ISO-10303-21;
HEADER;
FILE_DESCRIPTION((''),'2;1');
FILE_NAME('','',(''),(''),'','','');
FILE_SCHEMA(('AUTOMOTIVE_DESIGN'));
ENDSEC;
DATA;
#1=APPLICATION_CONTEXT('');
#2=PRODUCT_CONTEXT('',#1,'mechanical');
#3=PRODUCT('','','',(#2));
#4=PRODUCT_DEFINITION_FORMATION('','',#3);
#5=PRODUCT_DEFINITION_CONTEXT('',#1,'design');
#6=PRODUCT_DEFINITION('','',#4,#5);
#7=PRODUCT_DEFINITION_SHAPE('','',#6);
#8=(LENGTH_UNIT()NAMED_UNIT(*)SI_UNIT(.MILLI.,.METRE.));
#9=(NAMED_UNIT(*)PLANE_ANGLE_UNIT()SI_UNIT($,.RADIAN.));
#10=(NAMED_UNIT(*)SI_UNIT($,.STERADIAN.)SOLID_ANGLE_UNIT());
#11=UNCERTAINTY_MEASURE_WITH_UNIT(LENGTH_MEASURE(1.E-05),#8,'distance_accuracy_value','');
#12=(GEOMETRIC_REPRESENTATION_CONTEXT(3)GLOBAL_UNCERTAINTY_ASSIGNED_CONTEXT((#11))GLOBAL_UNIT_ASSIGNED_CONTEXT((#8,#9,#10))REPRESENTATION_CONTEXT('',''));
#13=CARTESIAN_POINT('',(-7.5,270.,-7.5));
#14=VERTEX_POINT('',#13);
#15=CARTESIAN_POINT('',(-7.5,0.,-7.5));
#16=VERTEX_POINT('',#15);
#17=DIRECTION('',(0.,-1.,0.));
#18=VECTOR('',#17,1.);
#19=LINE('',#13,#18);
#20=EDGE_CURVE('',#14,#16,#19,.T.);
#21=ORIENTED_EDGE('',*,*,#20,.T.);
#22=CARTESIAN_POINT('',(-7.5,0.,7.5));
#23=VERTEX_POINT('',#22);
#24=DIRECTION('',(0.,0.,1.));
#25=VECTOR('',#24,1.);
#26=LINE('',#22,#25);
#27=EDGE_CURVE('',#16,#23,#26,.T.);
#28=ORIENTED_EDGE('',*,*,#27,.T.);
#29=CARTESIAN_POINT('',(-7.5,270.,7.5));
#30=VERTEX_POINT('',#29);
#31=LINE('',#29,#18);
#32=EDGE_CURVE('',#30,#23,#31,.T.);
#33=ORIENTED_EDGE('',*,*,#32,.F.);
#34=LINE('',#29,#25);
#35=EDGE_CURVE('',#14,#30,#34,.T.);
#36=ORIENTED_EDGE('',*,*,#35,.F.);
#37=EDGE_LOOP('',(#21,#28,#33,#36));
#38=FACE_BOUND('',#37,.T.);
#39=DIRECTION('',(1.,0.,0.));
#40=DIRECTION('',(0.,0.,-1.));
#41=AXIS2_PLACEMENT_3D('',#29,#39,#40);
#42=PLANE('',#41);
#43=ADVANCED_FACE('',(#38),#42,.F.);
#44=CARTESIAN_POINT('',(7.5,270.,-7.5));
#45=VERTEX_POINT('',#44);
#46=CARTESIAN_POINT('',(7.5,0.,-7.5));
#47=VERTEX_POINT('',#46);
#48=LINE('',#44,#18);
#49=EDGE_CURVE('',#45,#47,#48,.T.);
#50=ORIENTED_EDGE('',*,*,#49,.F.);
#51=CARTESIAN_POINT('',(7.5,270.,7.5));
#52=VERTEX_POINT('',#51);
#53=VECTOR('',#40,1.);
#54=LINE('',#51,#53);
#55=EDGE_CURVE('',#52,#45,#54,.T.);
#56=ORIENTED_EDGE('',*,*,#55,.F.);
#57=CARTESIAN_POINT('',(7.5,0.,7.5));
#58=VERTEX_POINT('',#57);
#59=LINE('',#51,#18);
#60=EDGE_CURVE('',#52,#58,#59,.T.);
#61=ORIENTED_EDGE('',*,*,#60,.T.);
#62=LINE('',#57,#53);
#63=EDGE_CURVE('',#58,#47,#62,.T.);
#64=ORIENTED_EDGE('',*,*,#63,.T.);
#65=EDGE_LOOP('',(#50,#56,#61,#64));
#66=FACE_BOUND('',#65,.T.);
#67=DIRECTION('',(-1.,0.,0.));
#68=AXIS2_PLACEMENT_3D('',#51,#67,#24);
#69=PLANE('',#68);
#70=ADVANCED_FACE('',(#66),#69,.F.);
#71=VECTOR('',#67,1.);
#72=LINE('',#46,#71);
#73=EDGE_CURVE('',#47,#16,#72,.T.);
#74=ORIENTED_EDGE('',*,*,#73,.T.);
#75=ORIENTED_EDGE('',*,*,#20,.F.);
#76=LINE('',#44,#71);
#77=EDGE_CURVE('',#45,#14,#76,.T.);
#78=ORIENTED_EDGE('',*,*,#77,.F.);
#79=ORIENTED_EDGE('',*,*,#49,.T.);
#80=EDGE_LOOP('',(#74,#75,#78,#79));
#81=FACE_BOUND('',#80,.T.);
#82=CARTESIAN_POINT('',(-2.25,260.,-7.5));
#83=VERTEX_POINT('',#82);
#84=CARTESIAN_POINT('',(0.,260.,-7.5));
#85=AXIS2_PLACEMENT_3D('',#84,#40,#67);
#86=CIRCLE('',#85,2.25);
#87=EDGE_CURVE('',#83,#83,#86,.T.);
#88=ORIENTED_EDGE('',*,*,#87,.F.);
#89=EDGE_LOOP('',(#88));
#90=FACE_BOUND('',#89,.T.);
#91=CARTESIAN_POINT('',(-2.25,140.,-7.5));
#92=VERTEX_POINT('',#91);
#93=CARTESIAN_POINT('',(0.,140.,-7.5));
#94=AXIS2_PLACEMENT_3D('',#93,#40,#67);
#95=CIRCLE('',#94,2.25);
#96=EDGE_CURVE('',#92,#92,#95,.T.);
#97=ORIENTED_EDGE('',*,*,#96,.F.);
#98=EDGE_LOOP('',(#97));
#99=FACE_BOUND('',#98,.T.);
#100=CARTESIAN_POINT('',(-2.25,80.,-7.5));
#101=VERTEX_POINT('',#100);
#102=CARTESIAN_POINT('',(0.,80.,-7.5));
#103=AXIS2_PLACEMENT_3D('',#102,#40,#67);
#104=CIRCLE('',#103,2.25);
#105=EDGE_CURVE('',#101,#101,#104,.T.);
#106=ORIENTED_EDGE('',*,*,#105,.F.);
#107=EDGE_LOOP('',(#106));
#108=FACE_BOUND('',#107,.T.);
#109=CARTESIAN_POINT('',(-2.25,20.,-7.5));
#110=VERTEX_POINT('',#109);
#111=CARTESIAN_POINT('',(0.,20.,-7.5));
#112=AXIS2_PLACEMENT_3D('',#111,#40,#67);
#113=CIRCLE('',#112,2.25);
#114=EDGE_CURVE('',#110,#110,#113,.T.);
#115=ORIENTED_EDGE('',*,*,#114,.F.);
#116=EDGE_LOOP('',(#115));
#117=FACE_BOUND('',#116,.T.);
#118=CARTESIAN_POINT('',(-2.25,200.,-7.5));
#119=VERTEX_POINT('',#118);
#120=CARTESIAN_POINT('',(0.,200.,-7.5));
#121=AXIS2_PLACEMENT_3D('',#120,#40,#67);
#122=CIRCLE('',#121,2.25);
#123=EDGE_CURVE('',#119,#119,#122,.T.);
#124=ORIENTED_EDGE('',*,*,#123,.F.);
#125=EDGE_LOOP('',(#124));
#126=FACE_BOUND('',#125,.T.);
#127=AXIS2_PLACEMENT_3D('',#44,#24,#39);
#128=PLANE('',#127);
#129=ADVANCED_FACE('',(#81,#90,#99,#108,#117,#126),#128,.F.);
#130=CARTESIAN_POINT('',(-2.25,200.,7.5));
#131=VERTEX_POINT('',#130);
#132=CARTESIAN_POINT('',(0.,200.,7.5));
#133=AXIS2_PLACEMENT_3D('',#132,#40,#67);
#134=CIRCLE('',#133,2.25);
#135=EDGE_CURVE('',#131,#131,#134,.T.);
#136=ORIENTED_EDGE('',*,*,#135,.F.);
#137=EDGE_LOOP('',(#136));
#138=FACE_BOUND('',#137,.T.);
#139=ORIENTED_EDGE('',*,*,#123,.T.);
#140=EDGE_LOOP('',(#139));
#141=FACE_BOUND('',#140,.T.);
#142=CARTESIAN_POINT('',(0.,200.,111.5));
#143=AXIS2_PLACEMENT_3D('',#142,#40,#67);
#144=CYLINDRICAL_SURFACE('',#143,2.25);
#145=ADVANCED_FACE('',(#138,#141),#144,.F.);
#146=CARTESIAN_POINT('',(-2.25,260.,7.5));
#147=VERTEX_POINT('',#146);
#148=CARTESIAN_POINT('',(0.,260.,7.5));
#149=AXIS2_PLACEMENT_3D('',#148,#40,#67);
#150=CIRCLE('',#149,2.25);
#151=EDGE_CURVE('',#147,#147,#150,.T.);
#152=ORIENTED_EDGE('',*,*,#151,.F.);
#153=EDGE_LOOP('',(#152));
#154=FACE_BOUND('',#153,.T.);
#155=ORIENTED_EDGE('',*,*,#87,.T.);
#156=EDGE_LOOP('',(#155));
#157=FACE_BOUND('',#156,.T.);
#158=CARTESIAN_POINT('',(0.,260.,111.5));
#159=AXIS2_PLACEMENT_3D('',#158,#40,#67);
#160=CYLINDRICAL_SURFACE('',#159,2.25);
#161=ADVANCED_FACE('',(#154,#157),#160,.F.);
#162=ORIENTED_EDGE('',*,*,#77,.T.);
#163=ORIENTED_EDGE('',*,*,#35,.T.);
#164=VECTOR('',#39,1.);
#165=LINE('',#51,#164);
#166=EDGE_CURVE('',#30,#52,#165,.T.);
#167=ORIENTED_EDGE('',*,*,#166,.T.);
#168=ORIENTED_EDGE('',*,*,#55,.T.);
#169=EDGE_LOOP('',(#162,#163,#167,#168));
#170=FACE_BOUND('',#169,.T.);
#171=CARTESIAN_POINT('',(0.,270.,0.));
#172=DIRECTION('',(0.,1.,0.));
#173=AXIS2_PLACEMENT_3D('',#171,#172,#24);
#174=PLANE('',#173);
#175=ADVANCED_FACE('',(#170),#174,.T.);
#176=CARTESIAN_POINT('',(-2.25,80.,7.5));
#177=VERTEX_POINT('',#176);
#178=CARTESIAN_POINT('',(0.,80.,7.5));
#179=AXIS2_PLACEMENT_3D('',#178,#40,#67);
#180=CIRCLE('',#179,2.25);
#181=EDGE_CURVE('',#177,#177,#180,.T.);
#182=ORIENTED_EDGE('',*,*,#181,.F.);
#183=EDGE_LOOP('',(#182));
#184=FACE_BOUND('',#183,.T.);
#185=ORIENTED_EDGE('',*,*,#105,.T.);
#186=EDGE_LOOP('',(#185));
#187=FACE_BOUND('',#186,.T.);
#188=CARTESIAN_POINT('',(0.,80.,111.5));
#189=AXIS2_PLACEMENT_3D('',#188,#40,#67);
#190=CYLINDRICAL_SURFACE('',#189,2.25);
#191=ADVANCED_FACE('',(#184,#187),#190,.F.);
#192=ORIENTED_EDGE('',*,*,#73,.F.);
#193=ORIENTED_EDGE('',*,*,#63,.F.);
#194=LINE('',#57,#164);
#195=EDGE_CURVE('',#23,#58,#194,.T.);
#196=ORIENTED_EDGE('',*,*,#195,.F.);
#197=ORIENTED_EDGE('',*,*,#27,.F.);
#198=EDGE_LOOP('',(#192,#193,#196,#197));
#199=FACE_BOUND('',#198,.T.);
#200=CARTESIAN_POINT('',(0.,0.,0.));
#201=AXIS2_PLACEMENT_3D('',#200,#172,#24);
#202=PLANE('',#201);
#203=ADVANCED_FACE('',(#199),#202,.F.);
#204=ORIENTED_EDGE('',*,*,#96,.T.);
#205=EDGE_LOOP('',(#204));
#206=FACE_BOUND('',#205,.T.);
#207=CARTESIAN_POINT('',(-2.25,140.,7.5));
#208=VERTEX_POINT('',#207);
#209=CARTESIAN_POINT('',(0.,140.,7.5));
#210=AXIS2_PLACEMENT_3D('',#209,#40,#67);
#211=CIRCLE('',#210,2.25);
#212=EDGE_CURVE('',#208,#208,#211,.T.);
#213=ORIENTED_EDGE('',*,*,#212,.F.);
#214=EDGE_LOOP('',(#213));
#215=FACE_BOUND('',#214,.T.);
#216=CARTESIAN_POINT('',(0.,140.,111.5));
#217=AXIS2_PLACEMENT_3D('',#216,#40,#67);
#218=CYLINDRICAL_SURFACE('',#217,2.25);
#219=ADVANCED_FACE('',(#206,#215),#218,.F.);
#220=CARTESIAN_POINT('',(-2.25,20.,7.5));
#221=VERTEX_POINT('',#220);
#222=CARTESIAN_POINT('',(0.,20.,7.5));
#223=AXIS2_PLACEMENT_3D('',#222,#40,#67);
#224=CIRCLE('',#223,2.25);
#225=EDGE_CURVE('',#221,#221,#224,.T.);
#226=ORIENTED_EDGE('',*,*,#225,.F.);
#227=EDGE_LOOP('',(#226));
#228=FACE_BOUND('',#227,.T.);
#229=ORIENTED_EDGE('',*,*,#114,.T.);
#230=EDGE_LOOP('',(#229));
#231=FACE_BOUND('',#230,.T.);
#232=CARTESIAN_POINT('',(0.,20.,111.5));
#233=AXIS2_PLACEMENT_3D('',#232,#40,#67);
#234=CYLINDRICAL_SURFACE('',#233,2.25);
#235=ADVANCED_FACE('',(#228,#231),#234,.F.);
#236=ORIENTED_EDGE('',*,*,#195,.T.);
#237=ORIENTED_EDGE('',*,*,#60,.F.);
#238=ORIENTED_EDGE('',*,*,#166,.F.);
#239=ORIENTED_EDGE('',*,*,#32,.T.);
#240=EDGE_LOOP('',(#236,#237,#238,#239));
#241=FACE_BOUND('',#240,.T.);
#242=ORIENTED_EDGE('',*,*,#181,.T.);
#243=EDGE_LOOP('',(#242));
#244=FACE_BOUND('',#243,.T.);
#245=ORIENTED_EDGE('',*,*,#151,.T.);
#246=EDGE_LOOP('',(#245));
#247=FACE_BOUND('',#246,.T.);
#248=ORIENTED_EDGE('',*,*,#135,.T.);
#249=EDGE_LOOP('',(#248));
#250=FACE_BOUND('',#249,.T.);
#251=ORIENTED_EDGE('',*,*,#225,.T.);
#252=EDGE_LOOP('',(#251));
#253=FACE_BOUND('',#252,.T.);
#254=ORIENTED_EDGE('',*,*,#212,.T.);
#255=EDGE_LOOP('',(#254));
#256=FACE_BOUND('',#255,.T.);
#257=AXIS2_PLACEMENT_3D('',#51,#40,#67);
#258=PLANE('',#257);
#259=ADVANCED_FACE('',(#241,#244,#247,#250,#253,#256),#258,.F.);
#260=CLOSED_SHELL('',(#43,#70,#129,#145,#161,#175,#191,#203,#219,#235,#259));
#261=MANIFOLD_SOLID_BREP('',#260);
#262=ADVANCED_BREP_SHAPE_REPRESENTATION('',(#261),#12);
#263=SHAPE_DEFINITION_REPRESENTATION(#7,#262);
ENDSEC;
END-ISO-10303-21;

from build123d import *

# Parameters (mm, degrees)
SKETCH_1_W          = 15
SKETCH_1_H          = 15
EXTRUDE_1_DEPTH     = 270
SKETCH_2_R          = 2.25
CUT_EXTRUDE_1_DEPTH = 119


with BuildPart() as part:
    # 草图1 → 凸台-拉伸1 (new body)
    with BuildSketch(Plane(origin=(0, 0, 0), x_dir=(1, 0, 0), z_dir=(0, 1, 0))):
        Rectangle(SKETCH_1_W, SKETCH_1_H)
    extrude(amount=EXTRUDE_1_DEPTH)

    # 草图2 → 切除-拉伸1 (cut)
    with BuildSketch(Plane(origin=(0, 0, -7.5), x_dir=(-1, 0, 0), z_dir=(0, 0, -1))):
        with Locations((0, 20)):
            Circle(SKETCH_2_R)
        with Locations((0, 80)):
            Circle(SKETCH_2_R)
        with Locations((0, 140)):
            Circle(SKETCH_2_R)
        with Locations((0, 200)):
            Circle(SKETCH_2_R)
        with Locations((0, 260)):
            Circle(SKETCH_2_R)
    extrude(amount=-CUT_EXTRUDE_1_DEPTH, mode=Mode.SUBTRACT)


solid = part.part
